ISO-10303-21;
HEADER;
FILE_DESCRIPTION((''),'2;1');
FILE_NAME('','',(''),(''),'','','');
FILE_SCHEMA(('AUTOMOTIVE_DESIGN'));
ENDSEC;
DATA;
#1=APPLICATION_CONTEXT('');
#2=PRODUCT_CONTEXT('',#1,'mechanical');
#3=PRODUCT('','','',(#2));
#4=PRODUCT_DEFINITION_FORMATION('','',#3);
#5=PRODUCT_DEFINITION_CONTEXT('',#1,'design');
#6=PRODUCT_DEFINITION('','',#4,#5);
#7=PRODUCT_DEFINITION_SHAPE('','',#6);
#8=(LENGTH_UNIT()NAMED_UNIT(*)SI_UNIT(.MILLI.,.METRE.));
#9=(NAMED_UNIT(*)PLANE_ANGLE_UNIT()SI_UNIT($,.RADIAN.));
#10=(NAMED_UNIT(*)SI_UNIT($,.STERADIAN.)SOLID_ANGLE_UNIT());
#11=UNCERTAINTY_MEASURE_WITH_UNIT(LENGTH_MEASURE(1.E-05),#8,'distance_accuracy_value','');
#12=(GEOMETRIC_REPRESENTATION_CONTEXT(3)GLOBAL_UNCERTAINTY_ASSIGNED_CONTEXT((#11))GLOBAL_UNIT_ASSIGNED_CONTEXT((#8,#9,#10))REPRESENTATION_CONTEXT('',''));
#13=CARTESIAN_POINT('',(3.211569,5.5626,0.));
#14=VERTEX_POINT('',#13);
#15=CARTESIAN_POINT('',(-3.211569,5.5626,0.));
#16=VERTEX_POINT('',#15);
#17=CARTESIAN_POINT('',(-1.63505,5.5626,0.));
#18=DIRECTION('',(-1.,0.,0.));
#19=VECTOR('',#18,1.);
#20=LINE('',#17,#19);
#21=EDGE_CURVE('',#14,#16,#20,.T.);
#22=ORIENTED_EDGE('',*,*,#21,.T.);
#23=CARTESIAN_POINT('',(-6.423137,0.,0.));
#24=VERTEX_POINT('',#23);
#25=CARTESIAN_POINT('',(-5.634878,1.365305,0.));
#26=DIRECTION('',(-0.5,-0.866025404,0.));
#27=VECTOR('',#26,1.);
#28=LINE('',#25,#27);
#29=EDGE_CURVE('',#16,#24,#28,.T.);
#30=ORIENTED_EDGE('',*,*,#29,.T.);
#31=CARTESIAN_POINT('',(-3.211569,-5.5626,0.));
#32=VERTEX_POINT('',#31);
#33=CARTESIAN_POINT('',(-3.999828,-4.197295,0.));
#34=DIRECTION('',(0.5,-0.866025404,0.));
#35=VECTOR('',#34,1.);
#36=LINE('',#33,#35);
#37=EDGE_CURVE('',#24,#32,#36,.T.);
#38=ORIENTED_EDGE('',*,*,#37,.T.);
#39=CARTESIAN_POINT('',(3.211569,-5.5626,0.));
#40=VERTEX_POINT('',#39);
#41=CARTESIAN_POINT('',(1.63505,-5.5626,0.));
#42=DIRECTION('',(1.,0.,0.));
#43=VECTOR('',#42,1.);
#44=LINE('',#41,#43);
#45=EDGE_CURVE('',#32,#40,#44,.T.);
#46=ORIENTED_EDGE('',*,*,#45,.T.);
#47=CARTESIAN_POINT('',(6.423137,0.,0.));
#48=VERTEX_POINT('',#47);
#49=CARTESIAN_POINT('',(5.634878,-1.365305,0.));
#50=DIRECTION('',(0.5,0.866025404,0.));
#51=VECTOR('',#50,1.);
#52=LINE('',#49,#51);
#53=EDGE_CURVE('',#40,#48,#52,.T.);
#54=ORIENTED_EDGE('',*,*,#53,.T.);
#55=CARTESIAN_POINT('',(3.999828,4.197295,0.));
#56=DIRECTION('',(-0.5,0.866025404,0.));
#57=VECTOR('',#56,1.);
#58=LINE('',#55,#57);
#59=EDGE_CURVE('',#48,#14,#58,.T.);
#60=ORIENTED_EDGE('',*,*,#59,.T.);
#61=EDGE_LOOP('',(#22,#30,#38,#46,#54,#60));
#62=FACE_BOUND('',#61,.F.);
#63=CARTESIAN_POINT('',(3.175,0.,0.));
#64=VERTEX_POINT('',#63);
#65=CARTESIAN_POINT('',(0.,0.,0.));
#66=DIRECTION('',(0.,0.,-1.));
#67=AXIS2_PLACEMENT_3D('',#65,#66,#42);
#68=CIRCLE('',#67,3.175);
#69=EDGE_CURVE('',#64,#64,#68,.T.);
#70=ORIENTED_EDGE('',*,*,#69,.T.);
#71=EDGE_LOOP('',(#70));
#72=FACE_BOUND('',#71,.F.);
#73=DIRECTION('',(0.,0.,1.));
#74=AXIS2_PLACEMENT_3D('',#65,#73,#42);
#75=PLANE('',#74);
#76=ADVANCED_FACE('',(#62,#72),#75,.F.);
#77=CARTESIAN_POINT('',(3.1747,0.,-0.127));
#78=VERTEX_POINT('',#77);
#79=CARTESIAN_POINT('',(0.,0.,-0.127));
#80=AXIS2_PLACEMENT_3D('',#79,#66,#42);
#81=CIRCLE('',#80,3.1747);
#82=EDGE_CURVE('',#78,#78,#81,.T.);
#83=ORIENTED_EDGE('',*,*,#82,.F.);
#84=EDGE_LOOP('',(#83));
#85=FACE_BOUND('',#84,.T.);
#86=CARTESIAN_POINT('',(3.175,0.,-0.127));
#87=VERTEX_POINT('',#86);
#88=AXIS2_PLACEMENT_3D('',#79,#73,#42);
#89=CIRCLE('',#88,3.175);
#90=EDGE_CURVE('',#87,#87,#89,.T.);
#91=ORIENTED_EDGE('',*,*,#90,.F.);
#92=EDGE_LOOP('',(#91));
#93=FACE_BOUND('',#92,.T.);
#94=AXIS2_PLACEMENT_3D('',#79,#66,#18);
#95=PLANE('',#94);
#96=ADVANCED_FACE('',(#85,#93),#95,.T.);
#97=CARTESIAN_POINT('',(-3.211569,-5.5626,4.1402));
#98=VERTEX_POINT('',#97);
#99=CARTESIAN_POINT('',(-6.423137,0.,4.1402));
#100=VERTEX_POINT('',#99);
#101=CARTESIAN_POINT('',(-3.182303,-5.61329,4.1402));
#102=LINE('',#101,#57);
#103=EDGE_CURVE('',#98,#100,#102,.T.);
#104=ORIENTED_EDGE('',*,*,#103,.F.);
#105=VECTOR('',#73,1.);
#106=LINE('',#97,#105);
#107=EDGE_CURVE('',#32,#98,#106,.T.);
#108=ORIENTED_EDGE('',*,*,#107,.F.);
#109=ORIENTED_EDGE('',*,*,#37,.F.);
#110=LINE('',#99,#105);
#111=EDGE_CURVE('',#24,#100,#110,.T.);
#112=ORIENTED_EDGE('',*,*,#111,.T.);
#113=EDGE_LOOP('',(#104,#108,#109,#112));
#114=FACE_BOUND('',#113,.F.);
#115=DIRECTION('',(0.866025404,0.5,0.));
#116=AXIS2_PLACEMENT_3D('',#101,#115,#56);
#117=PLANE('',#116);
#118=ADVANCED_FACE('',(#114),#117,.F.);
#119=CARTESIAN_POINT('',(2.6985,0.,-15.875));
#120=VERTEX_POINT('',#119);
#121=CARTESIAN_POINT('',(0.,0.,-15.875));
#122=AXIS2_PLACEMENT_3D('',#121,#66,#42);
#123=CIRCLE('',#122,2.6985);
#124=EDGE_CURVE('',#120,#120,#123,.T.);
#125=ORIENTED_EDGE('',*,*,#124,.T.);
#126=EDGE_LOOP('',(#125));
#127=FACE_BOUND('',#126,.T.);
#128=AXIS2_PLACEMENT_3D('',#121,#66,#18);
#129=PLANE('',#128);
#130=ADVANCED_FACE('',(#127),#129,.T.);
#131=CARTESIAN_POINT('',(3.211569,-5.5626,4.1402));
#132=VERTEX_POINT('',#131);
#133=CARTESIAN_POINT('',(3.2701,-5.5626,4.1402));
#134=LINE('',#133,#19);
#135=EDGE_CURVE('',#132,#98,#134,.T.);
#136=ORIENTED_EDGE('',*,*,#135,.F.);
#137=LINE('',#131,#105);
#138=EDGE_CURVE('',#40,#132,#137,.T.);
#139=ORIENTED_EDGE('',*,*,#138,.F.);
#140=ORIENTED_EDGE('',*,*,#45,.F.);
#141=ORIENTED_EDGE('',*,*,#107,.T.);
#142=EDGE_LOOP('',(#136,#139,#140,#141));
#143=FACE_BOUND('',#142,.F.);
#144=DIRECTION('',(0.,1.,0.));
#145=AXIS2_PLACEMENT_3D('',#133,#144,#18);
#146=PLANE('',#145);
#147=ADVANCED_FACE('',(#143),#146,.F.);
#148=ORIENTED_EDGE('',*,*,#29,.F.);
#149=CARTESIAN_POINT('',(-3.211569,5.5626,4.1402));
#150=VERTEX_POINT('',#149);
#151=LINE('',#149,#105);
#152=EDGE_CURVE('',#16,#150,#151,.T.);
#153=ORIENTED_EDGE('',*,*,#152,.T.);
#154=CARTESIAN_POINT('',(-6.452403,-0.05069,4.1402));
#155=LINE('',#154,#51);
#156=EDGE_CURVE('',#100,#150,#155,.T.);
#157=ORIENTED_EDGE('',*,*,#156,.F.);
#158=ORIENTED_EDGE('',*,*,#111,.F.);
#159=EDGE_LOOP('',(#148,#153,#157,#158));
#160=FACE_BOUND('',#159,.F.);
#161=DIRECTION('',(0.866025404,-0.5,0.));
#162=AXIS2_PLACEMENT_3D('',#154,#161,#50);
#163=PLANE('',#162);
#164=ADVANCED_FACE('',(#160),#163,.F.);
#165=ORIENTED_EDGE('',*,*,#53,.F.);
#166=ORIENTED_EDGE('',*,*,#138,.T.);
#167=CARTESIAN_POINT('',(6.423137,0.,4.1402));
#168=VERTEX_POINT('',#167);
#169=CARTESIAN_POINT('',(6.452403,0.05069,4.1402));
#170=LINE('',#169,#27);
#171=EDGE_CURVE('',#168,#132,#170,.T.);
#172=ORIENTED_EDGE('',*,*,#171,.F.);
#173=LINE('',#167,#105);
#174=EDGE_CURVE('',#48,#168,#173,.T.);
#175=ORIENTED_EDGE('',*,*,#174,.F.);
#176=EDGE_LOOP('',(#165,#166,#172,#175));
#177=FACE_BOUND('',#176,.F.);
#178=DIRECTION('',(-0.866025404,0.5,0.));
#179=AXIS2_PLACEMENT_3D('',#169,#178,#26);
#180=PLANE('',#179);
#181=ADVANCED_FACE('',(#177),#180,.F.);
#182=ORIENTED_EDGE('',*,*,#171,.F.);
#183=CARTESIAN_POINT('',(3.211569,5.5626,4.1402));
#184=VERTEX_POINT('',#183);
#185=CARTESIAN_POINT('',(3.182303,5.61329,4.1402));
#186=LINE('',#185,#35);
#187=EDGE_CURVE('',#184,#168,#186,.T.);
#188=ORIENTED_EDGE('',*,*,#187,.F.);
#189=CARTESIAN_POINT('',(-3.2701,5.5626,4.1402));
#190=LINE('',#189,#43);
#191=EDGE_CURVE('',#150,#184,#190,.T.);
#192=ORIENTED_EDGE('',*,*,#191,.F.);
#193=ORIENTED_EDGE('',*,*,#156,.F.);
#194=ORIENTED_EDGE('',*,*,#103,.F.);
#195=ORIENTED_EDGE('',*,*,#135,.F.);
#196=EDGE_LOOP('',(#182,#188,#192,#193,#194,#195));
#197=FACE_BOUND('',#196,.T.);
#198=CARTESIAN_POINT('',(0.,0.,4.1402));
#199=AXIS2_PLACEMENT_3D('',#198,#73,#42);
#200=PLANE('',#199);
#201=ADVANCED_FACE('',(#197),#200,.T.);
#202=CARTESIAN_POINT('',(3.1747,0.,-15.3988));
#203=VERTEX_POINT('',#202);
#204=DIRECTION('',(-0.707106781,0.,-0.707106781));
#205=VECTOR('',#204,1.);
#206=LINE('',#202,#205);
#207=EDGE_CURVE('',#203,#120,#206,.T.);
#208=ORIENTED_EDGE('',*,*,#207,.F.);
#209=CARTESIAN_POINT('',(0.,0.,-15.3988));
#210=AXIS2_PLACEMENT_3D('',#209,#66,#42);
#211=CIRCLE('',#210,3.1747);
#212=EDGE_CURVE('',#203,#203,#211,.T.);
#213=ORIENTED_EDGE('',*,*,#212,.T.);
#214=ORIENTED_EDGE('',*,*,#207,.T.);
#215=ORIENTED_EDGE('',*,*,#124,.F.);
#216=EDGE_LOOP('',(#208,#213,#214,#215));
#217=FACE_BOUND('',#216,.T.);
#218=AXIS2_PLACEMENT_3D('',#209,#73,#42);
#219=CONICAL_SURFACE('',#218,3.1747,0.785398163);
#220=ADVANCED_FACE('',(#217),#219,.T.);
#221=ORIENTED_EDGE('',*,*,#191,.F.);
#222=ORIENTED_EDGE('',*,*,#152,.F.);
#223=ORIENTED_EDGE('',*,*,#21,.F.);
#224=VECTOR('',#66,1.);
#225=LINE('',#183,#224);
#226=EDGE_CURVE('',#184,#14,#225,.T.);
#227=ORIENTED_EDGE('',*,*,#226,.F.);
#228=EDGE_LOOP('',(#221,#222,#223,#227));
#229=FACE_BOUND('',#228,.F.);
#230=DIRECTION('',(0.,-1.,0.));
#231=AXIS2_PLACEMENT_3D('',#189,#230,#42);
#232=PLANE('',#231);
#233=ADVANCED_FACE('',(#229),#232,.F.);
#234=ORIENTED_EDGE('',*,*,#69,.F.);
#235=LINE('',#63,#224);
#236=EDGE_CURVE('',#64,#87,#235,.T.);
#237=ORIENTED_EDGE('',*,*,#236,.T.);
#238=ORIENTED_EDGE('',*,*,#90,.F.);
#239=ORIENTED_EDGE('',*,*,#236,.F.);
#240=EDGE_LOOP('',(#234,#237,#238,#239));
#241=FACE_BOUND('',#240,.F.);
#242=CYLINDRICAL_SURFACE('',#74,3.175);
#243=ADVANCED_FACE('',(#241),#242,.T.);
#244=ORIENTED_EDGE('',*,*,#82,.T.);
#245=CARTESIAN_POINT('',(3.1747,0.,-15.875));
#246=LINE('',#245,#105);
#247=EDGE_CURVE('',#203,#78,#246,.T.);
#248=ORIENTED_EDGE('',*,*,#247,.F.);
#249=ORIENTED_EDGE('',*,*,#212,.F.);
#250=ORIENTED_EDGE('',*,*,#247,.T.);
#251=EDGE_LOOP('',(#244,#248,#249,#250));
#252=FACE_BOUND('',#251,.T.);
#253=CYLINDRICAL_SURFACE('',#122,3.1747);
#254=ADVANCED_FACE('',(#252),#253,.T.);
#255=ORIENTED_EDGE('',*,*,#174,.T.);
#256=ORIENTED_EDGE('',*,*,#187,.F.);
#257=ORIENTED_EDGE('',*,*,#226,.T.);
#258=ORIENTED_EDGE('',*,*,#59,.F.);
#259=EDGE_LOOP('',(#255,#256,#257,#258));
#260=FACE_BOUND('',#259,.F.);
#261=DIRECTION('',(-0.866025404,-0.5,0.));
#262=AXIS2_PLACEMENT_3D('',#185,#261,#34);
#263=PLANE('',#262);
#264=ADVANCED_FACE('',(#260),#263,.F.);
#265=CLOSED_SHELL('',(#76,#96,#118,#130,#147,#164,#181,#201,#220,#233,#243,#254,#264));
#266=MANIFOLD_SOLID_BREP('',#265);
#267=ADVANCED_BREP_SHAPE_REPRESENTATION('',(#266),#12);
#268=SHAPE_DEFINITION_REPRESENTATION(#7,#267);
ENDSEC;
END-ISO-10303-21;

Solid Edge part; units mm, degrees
sketch "Sketch1" plane through (0, 0, 0) normal (0, 0, 1) x (1, 0, 0)
  circle A0 centre (0, 0) radius 6.4526
  dimension "D1" = 12.9052
extrude "Protrusion1" add sketch "Sketch1" along normal blind 4.1402
sketch "Sketch2" plane through (0, 0, 0) normal (0, 0, -1) x (1, 0, 0)
  circle A0 centre (0, 0) radius 3.175
extrude "Protrusion2" add sketch "Sketch2" along normal blind 15.875
sketch "Sketch3" plane through (0, 0, -15.875) normal (0, 0, -1) x (1, 0, 0)
  circle A0 centre (0, 0) radius 3.1747
extrude "Cutout1" cut sketch "Sketch3" against normal blind 15.748 flip side to cut
chamfer "Chamfer_1" distance 0.4762 angle 45 1 edges at (-3.1747, 0, -15.875)
sketch "Sketch4" plane through (0, 0, 4.1402) normal (0, 0, 1) x (1, 0, 0)
  line L0 (-3.2701, 5.5626) -> (3.2701, 5.5626)
  dimension "D1" = 11.1252
extrude "Cutout2" cut sketch "Sketch4" against normal up to next material side at (0, 5.6126, 4.1402)
pattern_circular "Pattern1" count 6 over 360 about axis through (0, 0, 4.1402) along (0, 0, 1) of "Cutout2"
properties part number "113930"
